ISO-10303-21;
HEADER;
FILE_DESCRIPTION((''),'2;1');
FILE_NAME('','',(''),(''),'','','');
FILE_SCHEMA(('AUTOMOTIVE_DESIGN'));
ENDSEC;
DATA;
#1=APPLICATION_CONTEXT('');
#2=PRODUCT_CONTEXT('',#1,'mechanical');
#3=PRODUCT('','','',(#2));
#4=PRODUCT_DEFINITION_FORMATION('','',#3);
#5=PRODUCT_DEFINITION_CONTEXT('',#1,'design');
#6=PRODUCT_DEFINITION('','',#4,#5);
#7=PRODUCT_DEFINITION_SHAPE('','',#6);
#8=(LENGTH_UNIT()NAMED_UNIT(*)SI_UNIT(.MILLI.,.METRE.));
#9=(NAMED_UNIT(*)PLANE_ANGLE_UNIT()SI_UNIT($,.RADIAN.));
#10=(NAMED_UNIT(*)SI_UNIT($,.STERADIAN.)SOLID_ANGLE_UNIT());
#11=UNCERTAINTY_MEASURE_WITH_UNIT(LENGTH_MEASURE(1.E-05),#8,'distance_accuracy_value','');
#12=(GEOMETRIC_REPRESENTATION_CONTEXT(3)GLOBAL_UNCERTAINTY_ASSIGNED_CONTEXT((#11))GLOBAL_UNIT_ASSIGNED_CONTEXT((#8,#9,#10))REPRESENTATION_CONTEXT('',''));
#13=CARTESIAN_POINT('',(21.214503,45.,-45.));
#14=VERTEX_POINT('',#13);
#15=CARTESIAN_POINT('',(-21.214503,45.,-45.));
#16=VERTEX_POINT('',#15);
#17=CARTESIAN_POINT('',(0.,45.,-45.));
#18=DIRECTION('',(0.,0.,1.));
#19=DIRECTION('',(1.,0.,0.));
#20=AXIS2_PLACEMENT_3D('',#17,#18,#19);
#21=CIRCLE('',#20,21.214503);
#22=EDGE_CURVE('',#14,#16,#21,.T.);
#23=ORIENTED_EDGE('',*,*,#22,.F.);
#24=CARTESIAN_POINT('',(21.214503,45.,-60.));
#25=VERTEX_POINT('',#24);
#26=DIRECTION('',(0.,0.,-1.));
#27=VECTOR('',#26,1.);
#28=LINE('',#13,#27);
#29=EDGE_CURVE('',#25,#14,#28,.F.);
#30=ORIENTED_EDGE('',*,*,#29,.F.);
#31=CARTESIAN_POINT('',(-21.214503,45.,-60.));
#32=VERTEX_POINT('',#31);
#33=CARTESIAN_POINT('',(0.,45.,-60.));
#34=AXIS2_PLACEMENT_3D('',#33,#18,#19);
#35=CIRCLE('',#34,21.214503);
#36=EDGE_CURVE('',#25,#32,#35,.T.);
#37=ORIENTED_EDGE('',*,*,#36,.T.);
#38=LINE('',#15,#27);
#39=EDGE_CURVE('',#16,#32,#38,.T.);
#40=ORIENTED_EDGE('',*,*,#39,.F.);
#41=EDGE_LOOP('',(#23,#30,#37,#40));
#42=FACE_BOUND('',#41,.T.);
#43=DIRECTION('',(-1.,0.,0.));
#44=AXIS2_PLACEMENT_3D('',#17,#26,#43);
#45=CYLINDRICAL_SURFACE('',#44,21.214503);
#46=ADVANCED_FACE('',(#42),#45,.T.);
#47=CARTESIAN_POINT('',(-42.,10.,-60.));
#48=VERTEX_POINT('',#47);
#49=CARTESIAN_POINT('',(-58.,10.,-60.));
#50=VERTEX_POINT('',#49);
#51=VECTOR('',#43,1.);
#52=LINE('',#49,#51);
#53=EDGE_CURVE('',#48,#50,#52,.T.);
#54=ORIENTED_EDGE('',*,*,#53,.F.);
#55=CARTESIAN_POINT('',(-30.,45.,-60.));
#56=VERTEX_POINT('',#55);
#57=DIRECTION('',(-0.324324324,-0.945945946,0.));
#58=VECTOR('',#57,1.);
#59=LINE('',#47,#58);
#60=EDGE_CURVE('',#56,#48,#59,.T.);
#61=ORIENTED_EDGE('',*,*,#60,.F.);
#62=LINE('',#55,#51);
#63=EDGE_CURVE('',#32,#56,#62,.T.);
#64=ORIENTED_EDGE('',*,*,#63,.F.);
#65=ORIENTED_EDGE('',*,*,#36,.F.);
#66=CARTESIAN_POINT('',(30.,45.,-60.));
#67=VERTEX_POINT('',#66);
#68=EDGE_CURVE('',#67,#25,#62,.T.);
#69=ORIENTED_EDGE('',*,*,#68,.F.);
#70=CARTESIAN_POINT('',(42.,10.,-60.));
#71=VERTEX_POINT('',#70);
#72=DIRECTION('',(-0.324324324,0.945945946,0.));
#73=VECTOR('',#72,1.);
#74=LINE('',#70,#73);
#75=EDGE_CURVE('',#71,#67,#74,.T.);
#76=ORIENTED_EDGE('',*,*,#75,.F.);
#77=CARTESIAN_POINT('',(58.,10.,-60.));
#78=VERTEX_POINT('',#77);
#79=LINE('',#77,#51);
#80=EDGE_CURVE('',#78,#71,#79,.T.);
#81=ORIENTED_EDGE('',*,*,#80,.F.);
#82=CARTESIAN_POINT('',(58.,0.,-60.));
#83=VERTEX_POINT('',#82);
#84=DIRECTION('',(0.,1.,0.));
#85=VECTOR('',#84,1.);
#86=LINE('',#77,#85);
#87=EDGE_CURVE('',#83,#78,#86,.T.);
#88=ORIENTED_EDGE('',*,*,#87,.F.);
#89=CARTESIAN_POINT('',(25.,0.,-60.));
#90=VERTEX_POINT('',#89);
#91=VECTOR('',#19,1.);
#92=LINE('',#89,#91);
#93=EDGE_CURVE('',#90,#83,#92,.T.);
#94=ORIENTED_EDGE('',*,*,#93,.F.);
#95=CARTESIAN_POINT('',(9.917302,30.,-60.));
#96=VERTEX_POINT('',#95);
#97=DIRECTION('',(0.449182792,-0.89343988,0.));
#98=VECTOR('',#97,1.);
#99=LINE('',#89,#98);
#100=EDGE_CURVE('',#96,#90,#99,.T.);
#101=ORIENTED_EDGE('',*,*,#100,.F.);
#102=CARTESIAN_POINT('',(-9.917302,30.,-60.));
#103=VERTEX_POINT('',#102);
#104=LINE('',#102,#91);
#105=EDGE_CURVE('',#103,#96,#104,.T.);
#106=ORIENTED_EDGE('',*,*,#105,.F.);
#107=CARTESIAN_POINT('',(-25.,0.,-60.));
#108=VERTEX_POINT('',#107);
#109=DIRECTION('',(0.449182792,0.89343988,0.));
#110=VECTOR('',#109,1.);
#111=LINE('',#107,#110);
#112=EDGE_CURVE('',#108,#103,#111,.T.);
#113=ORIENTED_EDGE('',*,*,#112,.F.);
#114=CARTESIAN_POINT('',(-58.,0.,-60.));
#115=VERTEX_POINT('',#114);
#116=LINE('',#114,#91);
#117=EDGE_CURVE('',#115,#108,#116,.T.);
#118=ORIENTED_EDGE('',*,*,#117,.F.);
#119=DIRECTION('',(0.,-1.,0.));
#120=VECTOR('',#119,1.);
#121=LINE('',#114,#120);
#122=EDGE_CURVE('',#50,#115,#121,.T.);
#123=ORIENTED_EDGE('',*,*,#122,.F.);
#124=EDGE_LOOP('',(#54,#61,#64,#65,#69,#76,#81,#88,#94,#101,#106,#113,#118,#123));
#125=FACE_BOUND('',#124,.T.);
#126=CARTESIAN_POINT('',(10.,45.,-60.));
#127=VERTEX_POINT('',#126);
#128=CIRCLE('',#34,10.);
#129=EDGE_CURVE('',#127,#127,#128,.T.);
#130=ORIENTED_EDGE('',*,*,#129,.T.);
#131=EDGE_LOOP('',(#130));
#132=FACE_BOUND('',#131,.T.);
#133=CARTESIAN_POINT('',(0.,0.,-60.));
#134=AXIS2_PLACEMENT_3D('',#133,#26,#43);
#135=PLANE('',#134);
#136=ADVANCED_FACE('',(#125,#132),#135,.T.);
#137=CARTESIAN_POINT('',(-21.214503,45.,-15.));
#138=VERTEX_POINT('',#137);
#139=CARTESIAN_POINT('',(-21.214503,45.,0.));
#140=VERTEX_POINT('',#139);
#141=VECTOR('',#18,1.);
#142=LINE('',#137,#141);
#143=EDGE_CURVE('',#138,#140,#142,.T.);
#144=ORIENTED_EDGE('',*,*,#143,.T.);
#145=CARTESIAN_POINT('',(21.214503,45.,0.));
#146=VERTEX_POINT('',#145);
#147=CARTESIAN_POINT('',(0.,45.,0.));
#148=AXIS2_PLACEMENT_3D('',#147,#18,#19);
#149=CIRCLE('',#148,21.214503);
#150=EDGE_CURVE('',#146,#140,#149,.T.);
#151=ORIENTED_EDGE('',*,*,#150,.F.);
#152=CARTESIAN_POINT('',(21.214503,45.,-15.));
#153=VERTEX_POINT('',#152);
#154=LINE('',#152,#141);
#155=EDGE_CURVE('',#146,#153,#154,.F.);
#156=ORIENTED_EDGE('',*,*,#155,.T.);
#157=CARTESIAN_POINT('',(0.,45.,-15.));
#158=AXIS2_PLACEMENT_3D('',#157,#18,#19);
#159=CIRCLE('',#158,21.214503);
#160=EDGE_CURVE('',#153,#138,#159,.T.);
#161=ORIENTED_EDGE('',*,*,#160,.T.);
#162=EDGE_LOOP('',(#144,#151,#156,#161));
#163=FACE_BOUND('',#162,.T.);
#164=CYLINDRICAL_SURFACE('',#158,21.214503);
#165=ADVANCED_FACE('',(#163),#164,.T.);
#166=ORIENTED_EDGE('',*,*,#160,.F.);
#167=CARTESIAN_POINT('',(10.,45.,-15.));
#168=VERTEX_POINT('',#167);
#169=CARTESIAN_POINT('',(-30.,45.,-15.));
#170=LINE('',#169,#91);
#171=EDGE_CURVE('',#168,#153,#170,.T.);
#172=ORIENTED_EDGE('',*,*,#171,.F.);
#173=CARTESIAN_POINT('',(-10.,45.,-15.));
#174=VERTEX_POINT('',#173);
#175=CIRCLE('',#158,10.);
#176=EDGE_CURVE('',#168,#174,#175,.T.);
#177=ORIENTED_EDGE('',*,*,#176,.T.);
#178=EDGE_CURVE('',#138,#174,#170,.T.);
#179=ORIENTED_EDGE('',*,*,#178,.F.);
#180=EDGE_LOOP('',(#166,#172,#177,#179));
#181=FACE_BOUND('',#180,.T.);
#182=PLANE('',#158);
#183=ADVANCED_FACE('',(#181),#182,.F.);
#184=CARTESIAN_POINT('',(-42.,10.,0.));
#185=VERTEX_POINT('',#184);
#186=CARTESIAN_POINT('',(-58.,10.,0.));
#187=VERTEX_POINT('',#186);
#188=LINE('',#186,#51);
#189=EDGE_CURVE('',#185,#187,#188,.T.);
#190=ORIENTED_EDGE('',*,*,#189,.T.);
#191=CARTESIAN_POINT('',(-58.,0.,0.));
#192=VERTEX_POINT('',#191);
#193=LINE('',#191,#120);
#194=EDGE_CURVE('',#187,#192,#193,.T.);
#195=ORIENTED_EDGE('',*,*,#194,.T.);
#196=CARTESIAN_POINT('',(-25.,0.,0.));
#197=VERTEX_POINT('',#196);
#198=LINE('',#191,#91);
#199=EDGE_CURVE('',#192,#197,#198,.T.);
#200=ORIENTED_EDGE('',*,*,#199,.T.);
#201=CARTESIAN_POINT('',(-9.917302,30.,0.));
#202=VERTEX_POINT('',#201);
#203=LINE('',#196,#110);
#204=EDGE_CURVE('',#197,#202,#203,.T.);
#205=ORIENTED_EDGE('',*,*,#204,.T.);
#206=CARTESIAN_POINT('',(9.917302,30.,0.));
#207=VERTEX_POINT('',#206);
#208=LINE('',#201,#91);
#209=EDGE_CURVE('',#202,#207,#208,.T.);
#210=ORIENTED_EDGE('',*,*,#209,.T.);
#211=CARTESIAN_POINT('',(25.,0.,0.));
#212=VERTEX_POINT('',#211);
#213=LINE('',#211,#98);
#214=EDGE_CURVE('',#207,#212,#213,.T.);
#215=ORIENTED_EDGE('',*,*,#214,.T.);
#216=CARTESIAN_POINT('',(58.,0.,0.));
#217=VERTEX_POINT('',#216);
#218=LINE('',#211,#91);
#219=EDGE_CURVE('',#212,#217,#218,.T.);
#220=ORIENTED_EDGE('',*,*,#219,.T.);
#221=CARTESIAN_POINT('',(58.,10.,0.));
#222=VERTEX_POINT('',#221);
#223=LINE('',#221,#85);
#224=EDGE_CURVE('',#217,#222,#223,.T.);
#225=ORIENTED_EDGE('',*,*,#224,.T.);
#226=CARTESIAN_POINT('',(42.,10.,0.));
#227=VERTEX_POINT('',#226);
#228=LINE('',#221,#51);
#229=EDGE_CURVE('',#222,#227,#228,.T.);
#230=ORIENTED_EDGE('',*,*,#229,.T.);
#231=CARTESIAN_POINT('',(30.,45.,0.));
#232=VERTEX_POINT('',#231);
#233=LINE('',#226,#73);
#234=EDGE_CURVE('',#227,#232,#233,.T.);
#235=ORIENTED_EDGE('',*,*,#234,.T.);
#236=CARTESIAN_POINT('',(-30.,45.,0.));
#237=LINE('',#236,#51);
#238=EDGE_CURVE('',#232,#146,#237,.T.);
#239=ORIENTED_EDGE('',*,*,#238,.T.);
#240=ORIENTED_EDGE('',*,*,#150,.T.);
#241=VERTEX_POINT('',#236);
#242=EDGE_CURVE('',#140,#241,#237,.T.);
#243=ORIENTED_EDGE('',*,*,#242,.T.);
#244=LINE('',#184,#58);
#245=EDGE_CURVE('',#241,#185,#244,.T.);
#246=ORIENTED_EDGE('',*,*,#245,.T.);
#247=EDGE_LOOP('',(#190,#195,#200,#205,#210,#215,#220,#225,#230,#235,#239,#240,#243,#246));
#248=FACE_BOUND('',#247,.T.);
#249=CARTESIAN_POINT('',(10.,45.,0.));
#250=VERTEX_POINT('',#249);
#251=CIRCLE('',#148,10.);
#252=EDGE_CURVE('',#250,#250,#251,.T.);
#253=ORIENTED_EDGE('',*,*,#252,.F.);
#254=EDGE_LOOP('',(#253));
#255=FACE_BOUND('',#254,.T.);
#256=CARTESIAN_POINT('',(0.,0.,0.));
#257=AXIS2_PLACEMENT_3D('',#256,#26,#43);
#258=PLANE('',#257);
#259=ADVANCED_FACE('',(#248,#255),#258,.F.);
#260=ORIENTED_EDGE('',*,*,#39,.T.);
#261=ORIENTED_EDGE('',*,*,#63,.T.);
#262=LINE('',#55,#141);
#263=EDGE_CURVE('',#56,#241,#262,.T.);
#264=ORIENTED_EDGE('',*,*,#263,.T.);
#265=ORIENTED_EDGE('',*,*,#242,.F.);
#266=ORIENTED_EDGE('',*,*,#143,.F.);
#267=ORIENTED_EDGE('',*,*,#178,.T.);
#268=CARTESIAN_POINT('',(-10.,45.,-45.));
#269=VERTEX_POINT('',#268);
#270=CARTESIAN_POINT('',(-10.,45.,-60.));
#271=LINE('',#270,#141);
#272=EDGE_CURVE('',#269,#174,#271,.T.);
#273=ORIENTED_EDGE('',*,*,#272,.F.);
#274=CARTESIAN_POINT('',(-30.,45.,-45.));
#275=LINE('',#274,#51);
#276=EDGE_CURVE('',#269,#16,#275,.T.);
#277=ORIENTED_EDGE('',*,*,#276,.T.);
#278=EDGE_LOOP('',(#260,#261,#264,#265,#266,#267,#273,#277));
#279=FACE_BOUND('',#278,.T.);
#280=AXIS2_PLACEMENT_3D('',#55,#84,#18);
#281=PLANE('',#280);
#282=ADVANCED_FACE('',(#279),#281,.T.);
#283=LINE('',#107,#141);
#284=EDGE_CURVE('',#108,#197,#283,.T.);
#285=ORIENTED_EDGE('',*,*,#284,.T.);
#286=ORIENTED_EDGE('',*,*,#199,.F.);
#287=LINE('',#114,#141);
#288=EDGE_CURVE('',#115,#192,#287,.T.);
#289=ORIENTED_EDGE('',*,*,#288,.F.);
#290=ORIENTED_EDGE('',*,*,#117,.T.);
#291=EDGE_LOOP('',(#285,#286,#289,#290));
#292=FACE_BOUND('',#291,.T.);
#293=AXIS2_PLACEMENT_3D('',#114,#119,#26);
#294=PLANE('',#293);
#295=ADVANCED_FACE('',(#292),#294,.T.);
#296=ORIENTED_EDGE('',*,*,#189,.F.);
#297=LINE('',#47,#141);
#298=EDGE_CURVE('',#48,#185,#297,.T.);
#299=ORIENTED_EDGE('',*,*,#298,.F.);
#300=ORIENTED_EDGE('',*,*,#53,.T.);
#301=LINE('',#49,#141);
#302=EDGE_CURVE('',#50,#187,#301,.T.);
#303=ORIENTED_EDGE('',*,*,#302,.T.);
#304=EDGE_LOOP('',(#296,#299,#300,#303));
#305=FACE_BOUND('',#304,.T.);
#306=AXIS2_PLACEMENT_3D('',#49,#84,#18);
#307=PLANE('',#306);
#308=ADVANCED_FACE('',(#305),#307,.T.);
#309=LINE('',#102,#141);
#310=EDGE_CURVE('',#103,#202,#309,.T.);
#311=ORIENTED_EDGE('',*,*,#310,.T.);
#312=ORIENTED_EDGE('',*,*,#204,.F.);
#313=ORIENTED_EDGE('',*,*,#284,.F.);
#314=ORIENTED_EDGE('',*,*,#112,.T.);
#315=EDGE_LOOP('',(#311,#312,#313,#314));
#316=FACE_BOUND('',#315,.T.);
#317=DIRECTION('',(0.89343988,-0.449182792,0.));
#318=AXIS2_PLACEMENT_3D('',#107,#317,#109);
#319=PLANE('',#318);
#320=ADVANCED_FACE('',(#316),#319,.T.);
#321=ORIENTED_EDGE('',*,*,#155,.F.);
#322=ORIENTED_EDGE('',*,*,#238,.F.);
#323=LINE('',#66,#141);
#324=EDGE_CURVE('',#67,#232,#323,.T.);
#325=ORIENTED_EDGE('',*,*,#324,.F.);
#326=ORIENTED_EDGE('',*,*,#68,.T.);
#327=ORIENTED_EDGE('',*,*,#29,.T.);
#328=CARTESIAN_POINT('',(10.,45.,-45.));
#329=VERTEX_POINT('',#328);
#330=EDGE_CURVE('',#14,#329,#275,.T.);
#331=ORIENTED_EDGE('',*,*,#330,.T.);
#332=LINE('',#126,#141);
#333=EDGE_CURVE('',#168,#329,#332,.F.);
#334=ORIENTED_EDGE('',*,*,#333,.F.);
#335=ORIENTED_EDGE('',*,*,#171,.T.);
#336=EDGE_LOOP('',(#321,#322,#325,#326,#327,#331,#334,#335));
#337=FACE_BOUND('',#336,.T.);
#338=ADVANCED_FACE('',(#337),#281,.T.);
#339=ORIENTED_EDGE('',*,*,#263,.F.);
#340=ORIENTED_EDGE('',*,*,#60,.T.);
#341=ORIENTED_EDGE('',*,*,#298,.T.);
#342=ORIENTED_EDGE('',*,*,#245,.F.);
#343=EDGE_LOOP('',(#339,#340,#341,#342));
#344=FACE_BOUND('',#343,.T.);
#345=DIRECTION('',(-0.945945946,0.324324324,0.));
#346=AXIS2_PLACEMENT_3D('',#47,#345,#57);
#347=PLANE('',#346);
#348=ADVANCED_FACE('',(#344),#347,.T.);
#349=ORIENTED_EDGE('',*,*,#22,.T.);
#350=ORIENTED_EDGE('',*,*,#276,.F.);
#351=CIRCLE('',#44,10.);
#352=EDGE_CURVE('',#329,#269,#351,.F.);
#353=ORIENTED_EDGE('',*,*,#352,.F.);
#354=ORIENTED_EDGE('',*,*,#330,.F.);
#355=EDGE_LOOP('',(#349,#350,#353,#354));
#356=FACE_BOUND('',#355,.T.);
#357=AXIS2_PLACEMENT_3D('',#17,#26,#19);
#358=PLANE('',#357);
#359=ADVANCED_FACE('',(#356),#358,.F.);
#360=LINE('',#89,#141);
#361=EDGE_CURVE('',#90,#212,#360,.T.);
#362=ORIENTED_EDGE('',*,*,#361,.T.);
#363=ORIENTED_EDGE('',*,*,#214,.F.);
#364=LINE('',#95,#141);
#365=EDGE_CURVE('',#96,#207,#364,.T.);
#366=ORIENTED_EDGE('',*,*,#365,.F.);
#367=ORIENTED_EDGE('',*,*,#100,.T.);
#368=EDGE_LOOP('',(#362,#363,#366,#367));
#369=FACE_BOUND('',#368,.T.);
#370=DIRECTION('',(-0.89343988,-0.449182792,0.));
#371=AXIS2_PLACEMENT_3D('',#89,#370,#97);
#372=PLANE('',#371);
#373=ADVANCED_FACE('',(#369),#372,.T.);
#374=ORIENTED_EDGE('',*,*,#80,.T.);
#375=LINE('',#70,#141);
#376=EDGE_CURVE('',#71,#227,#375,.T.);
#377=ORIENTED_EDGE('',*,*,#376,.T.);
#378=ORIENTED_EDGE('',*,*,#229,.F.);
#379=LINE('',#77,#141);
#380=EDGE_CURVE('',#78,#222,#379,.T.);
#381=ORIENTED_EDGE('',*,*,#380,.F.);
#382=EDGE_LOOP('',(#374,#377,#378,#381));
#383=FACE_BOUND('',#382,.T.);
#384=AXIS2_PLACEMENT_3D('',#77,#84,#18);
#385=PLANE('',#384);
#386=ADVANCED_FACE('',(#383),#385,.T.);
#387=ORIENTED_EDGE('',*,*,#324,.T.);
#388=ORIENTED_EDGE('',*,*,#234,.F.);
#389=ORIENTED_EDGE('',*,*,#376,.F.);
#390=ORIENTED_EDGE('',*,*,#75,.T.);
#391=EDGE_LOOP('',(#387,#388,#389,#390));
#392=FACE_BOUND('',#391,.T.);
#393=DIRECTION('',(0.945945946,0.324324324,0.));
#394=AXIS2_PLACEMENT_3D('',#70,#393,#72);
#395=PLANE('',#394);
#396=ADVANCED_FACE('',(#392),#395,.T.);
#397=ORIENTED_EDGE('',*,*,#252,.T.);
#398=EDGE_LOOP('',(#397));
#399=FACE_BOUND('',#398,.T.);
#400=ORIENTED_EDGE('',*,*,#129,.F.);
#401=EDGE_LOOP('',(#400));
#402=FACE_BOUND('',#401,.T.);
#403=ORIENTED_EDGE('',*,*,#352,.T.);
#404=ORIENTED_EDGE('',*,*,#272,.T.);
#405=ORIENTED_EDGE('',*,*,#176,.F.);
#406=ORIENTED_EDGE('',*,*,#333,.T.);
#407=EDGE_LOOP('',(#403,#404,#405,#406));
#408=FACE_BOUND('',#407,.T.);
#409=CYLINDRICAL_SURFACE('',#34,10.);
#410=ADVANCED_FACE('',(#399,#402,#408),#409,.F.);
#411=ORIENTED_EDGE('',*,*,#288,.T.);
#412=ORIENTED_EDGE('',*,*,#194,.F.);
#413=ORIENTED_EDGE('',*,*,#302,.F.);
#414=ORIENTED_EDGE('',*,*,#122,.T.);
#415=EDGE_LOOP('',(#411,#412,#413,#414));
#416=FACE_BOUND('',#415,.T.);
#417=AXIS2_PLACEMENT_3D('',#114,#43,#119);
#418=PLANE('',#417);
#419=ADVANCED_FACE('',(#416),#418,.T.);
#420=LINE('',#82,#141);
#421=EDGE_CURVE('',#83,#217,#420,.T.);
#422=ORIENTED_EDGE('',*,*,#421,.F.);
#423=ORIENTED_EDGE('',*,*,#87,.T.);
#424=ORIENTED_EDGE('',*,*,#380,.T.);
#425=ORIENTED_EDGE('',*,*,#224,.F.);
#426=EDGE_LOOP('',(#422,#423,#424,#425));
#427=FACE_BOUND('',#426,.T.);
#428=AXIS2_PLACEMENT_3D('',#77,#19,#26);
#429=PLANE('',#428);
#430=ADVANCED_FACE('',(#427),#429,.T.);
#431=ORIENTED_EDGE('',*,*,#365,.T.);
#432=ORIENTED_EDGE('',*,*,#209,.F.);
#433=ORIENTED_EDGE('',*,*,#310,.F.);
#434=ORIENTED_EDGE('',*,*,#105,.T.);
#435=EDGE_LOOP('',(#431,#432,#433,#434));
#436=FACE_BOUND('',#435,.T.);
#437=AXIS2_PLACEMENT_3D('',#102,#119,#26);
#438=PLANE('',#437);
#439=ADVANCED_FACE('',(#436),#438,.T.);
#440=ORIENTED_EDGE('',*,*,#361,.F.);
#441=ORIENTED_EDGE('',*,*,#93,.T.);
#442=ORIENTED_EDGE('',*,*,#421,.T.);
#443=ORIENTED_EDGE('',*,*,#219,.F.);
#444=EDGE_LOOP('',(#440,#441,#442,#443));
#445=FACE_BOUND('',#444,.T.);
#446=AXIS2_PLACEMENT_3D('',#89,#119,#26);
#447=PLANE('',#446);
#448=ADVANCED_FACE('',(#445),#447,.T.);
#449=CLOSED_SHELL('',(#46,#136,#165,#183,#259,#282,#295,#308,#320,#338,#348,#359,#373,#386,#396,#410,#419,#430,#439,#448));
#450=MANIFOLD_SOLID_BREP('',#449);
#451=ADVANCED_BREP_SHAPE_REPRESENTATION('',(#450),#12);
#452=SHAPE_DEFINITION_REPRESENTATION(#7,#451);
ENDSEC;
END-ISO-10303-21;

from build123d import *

# Parameters (mm, degrees)
BOSS_EXTRUDE1_DEPTH = 60
BOSS_EXTRUDE2_DEPTH = 15
SKETCH5_R           = 10
CUT_EXTRUDE1_DEPTH  = 107.5286833


with BuildPart() as part:
    # Sketch1 → Boss-Extrude1 (new body)
    with BuildSketch(Plane.XY):
        Polygon((-58, 0), (-58, 10), (-42, 10), (-30, 45), (30, 45), (42, 10), (58, 10), (58, 0), (25, 0), (9.917302162, 30), (-9.917302162, 30), (-25, 0), align=None)
    extrude(amount=-BOSS_EXTRUDE1_DEPTH)

    # Sketch2 → Boss-Extrude2 (add)
    with BuildSketch(Plane.XY):
        with BuildLine():
            Line((-18.06294145, 33.874117101), (18.06294145, 33.874117101))
            ThreePointArc((18.06294145, 33.874117101), (0, 66.214502683), (-18.06294145, 33.874117101))
        make_face()
    boss_extrude2 = extrude(amount=-BOSS_EXTRUDE2_DEPTH)

    # Sketch5 → Cut-Extrude1 (cut, through all)
    with BuildSketch(Plane.XY):
        with Locations((0, 45)):
            Circle(SKETCH5_R)
    cut_extrude1 = extrude(amount=-CUT_EXTRUDE1_DEPTH, mode=Mode.SUBTRACT)

    # Mirror1: Boss-Extrude2, Cut-Extrude1 across plane
    add(boss_extrude2.mirror(Plane.XY.offset(-30)))
    add(cut_extrude1.mirror(Plane.XY.offset(-30)), mode=Mode.SUBTRACT)


solid = part.part
